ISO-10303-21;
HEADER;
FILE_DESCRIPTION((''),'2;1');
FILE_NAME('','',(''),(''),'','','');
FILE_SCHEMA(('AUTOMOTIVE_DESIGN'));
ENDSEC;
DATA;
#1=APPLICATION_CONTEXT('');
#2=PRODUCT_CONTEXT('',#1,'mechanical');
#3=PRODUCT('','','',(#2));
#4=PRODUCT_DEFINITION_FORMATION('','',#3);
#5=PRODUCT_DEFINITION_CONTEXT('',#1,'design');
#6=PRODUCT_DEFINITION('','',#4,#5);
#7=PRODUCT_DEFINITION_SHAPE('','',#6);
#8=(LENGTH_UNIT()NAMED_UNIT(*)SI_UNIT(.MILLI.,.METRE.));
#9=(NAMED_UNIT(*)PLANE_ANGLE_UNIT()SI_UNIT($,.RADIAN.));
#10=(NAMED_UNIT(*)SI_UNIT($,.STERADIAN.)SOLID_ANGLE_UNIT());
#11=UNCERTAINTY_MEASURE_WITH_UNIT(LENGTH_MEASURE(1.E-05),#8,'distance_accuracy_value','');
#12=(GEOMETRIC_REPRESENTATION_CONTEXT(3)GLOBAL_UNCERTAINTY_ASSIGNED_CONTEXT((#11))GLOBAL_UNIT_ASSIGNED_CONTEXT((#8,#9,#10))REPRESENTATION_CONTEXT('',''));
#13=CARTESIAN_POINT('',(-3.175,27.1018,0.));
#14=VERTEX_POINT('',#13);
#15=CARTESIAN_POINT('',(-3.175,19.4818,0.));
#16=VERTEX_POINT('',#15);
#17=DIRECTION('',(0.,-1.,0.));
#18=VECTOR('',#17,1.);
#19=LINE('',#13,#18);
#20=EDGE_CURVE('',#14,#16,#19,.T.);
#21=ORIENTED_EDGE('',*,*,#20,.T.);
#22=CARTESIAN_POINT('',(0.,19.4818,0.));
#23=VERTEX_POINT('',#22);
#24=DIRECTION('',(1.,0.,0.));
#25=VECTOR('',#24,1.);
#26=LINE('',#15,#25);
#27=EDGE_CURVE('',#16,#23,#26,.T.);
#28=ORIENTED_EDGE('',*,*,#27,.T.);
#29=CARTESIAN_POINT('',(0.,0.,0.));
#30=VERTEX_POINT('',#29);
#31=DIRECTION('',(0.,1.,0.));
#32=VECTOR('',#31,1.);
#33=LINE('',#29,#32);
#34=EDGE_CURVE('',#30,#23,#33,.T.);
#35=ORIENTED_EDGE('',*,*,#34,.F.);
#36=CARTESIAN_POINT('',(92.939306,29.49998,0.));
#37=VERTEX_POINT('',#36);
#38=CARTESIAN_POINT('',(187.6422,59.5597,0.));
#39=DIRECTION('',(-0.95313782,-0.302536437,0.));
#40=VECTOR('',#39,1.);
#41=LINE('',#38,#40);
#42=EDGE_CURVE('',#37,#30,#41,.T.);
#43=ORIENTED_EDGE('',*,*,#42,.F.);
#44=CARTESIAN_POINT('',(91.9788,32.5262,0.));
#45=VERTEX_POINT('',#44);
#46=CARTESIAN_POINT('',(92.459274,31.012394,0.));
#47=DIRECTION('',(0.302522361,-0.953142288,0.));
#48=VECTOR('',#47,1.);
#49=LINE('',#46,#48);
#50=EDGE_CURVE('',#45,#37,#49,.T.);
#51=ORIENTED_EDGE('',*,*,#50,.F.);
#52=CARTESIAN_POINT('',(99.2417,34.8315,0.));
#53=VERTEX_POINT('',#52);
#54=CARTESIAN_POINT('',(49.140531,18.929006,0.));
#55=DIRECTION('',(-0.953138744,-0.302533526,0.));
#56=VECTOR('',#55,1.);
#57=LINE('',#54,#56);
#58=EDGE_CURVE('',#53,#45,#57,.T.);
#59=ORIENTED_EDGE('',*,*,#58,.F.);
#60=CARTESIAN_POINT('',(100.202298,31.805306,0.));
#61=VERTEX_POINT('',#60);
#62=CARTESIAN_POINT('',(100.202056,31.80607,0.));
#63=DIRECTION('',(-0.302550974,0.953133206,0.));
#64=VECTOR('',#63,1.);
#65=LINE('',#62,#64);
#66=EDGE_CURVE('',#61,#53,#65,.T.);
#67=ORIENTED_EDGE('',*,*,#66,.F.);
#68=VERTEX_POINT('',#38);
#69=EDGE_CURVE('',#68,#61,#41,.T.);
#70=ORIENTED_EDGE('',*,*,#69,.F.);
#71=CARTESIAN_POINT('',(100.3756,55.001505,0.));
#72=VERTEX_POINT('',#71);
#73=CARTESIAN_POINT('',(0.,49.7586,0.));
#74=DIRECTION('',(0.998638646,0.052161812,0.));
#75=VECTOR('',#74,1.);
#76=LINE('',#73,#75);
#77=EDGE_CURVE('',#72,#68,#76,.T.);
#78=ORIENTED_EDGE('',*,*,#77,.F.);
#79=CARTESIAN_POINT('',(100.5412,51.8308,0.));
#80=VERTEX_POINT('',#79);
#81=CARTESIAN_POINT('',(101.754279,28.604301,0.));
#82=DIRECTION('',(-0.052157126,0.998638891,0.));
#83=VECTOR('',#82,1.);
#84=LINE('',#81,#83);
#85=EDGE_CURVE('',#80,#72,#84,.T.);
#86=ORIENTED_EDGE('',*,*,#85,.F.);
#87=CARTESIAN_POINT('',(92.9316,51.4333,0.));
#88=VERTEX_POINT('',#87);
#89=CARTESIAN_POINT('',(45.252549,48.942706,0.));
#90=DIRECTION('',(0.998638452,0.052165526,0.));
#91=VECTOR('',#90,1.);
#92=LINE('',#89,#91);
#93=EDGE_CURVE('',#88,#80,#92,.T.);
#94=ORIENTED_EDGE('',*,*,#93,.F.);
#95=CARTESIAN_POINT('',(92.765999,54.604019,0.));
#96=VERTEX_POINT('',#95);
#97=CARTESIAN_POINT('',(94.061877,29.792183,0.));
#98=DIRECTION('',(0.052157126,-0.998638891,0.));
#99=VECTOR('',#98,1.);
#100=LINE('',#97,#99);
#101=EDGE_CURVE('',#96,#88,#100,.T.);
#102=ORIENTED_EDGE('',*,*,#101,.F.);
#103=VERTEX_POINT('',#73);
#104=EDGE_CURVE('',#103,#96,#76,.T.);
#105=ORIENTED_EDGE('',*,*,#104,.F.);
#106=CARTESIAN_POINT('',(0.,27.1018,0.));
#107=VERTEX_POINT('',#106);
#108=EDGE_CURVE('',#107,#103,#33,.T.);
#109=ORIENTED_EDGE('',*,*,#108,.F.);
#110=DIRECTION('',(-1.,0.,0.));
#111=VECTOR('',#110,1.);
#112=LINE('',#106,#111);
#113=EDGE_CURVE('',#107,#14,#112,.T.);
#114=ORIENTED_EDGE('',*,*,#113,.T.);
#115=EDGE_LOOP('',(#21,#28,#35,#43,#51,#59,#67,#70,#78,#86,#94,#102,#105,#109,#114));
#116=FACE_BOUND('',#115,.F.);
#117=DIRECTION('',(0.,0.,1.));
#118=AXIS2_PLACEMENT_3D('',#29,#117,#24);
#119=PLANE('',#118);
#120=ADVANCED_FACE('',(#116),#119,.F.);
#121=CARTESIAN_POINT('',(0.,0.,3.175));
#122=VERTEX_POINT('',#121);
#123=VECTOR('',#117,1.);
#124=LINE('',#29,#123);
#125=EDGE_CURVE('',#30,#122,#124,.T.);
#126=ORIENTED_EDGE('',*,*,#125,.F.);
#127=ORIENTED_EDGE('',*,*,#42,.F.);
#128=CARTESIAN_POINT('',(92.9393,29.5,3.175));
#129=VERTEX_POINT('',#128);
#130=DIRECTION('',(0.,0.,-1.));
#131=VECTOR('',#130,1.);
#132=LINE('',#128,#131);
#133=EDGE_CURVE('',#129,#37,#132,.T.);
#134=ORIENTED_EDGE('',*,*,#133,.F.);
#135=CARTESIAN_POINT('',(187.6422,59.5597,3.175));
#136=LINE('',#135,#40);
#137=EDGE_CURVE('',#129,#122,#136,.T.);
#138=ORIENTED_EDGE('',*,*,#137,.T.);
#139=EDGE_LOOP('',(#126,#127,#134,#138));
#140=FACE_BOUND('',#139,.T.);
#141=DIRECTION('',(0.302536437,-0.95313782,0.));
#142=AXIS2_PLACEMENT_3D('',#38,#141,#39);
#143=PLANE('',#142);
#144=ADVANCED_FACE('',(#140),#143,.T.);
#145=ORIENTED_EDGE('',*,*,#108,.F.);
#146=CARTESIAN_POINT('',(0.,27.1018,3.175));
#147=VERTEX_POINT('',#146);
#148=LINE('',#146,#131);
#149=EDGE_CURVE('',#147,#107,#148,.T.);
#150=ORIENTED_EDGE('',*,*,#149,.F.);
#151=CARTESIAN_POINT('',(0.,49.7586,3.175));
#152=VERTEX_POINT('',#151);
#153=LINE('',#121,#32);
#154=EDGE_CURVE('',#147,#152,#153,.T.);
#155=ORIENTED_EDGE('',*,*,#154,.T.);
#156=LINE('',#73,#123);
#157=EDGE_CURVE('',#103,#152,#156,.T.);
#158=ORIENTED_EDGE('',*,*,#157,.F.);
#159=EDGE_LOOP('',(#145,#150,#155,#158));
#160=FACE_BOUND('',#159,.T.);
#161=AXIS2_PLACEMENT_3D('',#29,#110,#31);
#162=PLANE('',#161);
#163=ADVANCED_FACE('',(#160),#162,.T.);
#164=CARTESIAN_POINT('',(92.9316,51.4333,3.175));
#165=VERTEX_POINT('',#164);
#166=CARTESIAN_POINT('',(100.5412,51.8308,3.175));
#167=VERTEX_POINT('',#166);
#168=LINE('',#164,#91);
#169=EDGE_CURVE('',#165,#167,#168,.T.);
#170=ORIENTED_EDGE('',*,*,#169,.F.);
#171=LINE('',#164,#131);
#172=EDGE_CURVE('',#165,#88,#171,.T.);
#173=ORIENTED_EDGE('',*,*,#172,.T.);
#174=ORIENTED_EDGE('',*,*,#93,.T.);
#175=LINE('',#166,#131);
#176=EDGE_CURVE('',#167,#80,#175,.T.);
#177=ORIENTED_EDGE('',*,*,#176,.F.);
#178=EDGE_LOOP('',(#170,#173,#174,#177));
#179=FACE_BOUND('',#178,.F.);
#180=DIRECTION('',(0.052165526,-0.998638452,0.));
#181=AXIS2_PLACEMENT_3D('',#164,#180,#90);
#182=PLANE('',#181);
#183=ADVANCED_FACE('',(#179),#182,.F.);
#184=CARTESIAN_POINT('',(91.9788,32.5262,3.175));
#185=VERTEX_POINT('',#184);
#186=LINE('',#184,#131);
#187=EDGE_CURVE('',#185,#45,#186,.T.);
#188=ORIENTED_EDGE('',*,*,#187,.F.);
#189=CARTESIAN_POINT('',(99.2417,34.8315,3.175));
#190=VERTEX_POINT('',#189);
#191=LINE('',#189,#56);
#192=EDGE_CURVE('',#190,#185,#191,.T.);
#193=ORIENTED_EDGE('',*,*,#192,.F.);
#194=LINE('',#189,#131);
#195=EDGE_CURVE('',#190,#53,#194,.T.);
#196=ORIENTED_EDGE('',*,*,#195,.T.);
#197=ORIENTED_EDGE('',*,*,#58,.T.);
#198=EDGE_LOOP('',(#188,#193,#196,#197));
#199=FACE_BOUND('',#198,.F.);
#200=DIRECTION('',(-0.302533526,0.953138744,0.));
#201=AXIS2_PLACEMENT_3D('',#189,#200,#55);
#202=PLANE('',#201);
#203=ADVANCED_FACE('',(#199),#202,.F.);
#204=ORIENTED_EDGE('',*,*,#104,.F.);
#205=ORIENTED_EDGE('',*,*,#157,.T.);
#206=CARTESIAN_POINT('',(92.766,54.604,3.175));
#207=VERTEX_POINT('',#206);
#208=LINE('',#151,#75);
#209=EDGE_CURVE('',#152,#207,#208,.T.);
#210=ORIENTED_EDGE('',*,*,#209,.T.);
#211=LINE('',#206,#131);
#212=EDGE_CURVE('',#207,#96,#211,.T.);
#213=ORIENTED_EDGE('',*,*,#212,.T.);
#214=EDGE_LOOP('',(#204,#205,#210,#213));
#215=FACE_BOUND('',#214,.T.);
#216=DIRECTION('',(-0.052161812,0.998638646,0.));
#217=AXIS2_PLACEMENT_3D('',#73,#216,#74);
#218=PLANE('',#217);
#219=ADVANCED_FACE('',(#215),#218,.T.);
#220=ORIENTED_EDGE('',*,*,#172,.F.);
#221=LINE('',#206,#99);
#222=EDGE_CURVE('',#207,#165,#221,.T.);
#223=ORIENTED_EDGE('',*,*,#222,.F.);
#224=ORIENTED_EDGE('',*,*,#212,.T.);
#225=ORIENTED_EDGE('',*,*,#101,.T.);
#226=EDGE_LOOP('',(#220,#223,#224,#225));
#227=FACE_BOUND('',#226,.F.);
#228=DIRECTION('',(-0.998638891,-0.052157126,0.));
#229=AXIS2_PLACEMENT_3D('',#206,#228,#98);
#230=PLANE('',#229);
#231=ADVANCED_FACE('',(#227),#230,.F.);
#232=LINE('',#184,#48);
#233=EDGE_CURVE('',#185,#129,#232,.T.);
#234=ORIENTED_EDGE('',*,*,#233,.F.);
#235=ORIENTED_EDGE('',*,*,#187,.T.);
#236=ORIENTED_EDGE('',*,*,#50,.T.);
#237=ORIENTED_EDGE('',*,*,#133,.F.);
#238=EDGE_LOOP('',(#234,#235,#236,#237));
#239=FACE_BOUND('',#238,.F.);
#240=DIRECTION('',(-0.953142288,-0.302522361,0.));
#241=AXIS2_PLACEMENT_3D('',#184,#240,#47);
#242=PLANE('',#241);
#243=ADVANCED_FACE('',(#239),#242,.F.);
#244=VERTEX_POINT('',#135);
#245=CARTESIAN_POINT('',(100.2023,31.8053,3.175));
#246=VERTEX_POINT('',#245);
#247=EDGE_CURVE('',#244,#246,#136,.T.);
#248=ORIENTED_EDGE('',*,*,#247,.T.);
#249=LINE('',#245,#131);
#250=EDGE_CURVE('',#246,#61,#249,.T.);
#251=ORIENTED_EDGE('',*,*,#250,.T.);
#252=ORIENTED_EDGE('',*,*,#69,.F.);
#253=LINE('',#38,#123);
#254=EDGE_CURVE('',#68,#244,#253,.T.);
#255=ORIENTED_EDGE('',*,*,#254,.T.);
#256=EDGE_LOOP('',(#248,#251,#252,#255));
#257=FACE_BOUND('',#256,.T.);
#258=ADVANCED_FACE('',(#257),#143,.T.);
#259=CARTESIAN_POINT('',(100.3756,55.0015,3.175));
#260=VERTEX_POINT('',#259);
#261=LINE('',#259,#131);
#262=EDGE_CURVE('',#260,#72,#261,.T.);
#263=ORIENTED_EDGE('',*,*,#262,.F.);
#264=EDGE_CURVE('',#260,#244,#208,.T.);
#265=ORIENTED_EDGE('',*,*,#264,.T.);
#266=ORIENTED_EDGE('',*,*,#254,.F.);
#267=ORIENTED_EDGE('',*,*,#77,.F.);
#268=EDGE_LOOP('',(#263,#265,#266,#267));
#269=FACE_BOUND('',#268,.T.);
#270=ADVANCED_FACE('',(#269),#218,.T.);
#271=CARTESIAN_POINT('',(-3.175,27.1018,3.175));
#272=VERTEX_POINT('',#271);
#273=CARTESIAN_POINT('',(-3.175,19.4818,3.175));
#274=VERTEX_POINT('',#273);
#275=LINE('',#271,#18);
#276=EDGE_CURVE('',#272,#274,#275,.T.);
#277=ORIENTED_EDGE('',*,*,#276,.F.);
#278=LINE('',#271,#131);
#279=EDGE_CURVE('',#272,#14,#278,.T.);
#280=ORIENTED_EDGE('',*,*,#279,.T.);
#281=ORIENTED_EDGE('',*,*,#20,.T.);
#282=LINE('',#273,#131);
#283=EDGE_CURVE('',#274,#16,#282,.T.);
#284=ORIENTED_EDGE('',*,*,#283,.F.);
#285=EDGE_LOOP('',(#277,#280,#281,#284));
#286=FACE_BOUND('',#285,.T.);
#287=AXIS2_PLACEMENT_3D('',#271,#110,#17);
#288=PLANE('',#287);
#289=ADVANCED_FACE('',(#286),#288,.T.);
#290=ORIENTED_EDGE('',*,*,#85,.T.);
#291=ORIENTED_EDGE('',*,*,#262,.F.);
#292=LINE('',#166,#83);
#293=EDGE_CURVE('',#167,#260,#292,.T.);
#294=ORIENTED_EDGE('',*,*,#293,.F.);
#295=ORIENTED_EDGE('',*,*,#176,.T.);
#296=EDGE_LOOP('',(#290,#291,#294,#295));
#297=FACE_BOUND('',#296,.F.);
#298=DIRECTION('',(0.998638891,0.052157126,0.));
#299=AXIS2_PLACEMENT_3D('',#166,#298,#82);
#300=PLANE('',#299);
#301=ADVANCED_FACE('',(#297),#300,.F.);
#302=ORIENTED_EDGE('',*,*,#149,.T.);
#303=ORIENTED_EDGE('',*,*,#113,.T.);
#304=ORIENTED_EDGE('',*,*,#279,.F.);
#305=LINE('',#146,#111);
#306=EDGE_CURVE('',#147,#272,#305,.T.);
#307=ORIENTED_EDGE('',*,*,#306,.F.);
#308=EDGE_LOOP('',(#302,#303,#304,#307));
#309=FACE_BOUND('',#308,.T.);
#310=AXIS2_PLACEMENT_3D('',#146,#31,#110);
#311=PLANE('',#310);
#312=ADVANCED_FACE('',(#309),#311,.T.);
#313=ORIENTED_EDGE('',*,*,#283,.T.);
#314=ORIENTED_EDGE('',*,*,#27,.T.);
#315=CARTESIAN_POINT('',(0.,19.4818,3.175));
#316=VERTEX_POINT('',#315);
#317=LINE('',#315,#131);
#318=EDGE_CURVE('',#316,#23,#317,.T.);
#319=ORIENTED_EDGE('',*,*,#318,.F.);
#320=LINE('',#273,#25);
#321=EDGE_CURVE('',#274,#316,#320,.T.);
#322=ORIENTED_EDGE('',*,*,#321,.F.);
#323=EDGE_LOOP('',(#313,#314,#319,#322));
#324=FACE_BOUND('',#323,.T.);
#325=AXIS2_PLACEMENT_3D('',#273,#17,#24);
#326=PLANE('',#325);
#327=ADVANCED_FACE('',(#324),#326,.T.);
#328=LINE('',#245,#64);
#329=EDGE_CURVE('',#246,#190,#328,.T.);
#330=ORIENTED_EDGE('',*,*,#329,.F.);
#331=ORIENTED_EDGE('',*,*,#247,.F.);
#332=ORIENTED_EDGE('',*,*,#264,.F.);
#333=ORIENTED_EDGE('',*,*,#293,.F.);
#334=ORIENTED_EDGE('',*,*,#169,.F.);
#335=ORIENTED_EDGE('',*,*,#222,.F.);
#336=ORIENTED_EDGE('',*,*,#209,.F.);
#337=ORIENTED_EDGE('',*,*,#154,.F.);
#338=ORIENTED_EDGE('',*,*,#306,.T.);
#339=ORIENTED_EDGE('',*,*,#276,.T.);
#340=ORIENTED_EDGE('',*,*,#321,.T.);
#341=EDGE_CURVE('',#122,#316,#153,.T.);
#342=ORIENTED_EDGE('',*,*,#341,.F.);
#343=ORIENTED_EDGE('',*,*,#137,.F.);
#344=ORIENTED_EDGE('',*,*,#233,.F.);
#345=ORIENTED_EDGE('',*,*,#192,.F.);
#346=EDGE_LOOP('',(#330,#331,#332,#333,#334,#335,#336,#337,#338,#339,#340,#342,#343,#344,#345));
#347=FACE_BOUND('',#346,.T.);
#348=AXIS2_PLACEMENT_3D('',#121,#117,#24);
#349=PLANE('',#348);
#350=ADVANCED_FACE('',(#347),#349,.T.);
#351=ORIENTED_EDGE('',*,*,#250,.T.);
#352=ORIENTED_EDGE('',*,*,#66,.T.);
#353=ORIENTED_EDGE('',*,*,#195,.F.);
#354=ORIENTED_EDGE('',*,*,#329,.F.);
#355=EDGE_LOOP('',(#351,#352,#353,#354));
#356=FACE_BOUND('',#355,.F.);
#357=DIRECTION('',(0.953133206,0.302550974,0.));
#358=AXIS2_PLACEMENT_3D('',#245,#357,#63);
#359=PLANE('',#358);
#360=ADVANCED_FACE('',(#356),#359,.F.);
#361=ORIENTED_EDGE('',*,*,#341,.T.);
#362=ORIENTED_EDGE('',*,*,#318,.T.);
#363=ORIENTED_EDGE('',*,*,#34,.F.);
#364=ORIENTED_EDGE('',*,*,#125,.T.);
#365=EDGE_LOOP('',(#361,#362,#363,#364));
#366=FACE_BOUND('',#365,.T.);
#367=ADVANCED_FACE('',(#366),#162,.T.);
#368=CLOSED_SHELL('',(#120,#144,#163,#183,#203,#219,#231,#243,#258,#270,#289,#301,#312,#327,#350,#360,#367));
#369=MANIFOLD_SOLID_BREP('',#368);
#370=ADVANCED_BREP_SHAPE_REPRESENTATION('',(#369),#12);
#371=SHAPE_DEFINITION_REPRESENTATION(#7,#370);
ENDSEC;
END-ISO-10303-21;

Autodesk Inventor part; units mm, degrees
ref_plane "YZ Plane" through (0, 0, 0) normal (1, 0, 0) x (0, 1, 0)
ref_plane "XZ Plane" through (0, 0, 0) normal (0, 1, 0) x (-1, 0, 0)
ref_plane "XY Plane" through (0, 0, 0) normal (0, 0, 1) x (1, 0, 0)
sketch "Sketch1" plane through (0, 0, 0) normal (0, 0, 1) x (1, 0, 0)
  line L0 (0, 0) -> (0, 49.7586)
  line L1 (0, 49.7586) -> (187.6422, 59.5597)
  line L2 (187.6422, 59.5597) -> (0, 0)
  dimension "d0" = 49.7586
  dimension "d40" = 92.99
  dimension "d41" = 72.39
extrude "Extrusion1" add sketch "Sketch1" along normal blind 3.175
sketch "Sketch3" plane through (0, 0, 3.175) normal (0, 0, 1) x (1, 0, 0)
  line L0 (0, 49.7586) -> (0, 0) projected
  line L1 (0, 27.1018) -> (-3.175, 27.1018)
  line L2 (-3.175, 27.1018) -> (-3.175, 19.4818)
  line L3 (-3.175, 19.4818) -> (0, 19.4818)
  line L4 (0, 27.1018) -> (0, 19.4818)
  point P0 (0, 23.2918)
  dimension "d9" = 7.62
  dimension "d11" = 3.175
  dimension "d43" = 26.4668
  dimension "d44" = 3.81
extrude "Extrusion3" add sketch "Sketch3" against normal blind 3.175
sketch "Sketch5" plane through (0, 0, 3.175) normal (0, 0, 1) x (1, 0, 0)
  line L0 (187.6422, 59.5597) -> (0, 49.7586) projected
  line L1 (0, 0) -> (187.6422, 59.5597) projected
  line L2 (92.766, 54.604) -> (92.9316, 51.4333)
  line L3 (92.9316, 51.4333) -> (100.5412, 51.8308)
  line L4 (100.5412, 51.8308) -> (100.3756, 55.0015)
  line L5 (92.766, 54.604) -> (100.3756, 55.0015)
  line L6 (100.2023, 31.8053) -> (99.2417, 34.8315)
  line L7 (99.2417, 34.8315) -> (91.9788, 32.5262)
  line L8 (91.9788, 32.5262) -> (92.9393, 29.5)
  line L9 (92.9393, 29.5) -> (100.2023, 31.8053)
  point P0 (96.5708, 54.8028)
  point P1 (96.5708, 30.6526)
  dimension "d32" = 7.62
  dimension "d34" = 3.175
  dimension "d35" = 3.175
  dimension "d36" = 7.62
  dimension "d45" = 96.5708
  dimension "d46" = 96.5708
  dimension "d47" = 3.81
  dimension "d48" = 3.81
extrude "Extrusion5" cut sketch "Sketch5" against normal blind 25.4
sketch "Sketch6" plane through (0, 0, 3.175) normal (0, 0, 1) x (1, 0, 0)
  line L0 (0, 0) -> (0, 19.4818)
  line L1 (0, 19.4818) -> (0, 0) projected
  line L2 (0, 19.4818) -> (-3.175, 19.4818)
  line L3 (-3.175, 19.4818) -> (0, 19.4818) projected
  line L4 (-3.175, 19.4818) -> (-3.175, 27.1018)
  line L5 (-3.175, 27.1018) -> (-3.175, 19.4818) projected
  line L6 (-3.175, 27.1018) -> (0, 27.1018)
  line L7 (0, 27.1018) -> (-3.175, 27.1018) projected
  line L8 (0, 27.1018) -> (0, 49.7586)
  line L9 (0, 49.7586) -> (0, 27.1018) projected
  line L10 (0, 49.7586) -> (92.766, 54.604)
  line L11 (92.766, 54.604) -> (0, 49.7586) projected
  line L12 (92.766, 54.604) -> (92.9316, 51.4333)
  line L13 (92.9316, 51.4333) -> (100.5412, 51.8308)
  line L14 (100.5412, 51.8308) -> (92.9316, 51.4333) projected
  line L15 (100.5412, 51.8308) -> (100.3756, 55.0015)
  line L16 (100.3756, 55.0015) -> (100.5412, 51.8308) projected
  line L17 (100.3756, 55.0015) -> (187.6422, 59.5597)
  line L18 (100.3756, 55.0015) -> (187.6422, 59.5597) projected
  line L19 (187.6422, 59.5597) -> (100.2023, 31.8053)
  line L20 (100.2023, 31.8053) -> (187.6422, 59.5597) projected
  line L21 (100.2023, 31.8053) -> (99.2417, 34.8315)
  line L22 (99.2417, 34.8315) -> (91.9788, 32.5262)
  line L23 (91.9788, 32.5262) -> (92.9393, 29.5)
  line L24 (91.9788, 32.5262) -> (92.9393, 29.5) projected
  line L25 (92.9393, 29.5) -> (0, 0)
properties part number "Star Side" material "Wood (Birch)"
